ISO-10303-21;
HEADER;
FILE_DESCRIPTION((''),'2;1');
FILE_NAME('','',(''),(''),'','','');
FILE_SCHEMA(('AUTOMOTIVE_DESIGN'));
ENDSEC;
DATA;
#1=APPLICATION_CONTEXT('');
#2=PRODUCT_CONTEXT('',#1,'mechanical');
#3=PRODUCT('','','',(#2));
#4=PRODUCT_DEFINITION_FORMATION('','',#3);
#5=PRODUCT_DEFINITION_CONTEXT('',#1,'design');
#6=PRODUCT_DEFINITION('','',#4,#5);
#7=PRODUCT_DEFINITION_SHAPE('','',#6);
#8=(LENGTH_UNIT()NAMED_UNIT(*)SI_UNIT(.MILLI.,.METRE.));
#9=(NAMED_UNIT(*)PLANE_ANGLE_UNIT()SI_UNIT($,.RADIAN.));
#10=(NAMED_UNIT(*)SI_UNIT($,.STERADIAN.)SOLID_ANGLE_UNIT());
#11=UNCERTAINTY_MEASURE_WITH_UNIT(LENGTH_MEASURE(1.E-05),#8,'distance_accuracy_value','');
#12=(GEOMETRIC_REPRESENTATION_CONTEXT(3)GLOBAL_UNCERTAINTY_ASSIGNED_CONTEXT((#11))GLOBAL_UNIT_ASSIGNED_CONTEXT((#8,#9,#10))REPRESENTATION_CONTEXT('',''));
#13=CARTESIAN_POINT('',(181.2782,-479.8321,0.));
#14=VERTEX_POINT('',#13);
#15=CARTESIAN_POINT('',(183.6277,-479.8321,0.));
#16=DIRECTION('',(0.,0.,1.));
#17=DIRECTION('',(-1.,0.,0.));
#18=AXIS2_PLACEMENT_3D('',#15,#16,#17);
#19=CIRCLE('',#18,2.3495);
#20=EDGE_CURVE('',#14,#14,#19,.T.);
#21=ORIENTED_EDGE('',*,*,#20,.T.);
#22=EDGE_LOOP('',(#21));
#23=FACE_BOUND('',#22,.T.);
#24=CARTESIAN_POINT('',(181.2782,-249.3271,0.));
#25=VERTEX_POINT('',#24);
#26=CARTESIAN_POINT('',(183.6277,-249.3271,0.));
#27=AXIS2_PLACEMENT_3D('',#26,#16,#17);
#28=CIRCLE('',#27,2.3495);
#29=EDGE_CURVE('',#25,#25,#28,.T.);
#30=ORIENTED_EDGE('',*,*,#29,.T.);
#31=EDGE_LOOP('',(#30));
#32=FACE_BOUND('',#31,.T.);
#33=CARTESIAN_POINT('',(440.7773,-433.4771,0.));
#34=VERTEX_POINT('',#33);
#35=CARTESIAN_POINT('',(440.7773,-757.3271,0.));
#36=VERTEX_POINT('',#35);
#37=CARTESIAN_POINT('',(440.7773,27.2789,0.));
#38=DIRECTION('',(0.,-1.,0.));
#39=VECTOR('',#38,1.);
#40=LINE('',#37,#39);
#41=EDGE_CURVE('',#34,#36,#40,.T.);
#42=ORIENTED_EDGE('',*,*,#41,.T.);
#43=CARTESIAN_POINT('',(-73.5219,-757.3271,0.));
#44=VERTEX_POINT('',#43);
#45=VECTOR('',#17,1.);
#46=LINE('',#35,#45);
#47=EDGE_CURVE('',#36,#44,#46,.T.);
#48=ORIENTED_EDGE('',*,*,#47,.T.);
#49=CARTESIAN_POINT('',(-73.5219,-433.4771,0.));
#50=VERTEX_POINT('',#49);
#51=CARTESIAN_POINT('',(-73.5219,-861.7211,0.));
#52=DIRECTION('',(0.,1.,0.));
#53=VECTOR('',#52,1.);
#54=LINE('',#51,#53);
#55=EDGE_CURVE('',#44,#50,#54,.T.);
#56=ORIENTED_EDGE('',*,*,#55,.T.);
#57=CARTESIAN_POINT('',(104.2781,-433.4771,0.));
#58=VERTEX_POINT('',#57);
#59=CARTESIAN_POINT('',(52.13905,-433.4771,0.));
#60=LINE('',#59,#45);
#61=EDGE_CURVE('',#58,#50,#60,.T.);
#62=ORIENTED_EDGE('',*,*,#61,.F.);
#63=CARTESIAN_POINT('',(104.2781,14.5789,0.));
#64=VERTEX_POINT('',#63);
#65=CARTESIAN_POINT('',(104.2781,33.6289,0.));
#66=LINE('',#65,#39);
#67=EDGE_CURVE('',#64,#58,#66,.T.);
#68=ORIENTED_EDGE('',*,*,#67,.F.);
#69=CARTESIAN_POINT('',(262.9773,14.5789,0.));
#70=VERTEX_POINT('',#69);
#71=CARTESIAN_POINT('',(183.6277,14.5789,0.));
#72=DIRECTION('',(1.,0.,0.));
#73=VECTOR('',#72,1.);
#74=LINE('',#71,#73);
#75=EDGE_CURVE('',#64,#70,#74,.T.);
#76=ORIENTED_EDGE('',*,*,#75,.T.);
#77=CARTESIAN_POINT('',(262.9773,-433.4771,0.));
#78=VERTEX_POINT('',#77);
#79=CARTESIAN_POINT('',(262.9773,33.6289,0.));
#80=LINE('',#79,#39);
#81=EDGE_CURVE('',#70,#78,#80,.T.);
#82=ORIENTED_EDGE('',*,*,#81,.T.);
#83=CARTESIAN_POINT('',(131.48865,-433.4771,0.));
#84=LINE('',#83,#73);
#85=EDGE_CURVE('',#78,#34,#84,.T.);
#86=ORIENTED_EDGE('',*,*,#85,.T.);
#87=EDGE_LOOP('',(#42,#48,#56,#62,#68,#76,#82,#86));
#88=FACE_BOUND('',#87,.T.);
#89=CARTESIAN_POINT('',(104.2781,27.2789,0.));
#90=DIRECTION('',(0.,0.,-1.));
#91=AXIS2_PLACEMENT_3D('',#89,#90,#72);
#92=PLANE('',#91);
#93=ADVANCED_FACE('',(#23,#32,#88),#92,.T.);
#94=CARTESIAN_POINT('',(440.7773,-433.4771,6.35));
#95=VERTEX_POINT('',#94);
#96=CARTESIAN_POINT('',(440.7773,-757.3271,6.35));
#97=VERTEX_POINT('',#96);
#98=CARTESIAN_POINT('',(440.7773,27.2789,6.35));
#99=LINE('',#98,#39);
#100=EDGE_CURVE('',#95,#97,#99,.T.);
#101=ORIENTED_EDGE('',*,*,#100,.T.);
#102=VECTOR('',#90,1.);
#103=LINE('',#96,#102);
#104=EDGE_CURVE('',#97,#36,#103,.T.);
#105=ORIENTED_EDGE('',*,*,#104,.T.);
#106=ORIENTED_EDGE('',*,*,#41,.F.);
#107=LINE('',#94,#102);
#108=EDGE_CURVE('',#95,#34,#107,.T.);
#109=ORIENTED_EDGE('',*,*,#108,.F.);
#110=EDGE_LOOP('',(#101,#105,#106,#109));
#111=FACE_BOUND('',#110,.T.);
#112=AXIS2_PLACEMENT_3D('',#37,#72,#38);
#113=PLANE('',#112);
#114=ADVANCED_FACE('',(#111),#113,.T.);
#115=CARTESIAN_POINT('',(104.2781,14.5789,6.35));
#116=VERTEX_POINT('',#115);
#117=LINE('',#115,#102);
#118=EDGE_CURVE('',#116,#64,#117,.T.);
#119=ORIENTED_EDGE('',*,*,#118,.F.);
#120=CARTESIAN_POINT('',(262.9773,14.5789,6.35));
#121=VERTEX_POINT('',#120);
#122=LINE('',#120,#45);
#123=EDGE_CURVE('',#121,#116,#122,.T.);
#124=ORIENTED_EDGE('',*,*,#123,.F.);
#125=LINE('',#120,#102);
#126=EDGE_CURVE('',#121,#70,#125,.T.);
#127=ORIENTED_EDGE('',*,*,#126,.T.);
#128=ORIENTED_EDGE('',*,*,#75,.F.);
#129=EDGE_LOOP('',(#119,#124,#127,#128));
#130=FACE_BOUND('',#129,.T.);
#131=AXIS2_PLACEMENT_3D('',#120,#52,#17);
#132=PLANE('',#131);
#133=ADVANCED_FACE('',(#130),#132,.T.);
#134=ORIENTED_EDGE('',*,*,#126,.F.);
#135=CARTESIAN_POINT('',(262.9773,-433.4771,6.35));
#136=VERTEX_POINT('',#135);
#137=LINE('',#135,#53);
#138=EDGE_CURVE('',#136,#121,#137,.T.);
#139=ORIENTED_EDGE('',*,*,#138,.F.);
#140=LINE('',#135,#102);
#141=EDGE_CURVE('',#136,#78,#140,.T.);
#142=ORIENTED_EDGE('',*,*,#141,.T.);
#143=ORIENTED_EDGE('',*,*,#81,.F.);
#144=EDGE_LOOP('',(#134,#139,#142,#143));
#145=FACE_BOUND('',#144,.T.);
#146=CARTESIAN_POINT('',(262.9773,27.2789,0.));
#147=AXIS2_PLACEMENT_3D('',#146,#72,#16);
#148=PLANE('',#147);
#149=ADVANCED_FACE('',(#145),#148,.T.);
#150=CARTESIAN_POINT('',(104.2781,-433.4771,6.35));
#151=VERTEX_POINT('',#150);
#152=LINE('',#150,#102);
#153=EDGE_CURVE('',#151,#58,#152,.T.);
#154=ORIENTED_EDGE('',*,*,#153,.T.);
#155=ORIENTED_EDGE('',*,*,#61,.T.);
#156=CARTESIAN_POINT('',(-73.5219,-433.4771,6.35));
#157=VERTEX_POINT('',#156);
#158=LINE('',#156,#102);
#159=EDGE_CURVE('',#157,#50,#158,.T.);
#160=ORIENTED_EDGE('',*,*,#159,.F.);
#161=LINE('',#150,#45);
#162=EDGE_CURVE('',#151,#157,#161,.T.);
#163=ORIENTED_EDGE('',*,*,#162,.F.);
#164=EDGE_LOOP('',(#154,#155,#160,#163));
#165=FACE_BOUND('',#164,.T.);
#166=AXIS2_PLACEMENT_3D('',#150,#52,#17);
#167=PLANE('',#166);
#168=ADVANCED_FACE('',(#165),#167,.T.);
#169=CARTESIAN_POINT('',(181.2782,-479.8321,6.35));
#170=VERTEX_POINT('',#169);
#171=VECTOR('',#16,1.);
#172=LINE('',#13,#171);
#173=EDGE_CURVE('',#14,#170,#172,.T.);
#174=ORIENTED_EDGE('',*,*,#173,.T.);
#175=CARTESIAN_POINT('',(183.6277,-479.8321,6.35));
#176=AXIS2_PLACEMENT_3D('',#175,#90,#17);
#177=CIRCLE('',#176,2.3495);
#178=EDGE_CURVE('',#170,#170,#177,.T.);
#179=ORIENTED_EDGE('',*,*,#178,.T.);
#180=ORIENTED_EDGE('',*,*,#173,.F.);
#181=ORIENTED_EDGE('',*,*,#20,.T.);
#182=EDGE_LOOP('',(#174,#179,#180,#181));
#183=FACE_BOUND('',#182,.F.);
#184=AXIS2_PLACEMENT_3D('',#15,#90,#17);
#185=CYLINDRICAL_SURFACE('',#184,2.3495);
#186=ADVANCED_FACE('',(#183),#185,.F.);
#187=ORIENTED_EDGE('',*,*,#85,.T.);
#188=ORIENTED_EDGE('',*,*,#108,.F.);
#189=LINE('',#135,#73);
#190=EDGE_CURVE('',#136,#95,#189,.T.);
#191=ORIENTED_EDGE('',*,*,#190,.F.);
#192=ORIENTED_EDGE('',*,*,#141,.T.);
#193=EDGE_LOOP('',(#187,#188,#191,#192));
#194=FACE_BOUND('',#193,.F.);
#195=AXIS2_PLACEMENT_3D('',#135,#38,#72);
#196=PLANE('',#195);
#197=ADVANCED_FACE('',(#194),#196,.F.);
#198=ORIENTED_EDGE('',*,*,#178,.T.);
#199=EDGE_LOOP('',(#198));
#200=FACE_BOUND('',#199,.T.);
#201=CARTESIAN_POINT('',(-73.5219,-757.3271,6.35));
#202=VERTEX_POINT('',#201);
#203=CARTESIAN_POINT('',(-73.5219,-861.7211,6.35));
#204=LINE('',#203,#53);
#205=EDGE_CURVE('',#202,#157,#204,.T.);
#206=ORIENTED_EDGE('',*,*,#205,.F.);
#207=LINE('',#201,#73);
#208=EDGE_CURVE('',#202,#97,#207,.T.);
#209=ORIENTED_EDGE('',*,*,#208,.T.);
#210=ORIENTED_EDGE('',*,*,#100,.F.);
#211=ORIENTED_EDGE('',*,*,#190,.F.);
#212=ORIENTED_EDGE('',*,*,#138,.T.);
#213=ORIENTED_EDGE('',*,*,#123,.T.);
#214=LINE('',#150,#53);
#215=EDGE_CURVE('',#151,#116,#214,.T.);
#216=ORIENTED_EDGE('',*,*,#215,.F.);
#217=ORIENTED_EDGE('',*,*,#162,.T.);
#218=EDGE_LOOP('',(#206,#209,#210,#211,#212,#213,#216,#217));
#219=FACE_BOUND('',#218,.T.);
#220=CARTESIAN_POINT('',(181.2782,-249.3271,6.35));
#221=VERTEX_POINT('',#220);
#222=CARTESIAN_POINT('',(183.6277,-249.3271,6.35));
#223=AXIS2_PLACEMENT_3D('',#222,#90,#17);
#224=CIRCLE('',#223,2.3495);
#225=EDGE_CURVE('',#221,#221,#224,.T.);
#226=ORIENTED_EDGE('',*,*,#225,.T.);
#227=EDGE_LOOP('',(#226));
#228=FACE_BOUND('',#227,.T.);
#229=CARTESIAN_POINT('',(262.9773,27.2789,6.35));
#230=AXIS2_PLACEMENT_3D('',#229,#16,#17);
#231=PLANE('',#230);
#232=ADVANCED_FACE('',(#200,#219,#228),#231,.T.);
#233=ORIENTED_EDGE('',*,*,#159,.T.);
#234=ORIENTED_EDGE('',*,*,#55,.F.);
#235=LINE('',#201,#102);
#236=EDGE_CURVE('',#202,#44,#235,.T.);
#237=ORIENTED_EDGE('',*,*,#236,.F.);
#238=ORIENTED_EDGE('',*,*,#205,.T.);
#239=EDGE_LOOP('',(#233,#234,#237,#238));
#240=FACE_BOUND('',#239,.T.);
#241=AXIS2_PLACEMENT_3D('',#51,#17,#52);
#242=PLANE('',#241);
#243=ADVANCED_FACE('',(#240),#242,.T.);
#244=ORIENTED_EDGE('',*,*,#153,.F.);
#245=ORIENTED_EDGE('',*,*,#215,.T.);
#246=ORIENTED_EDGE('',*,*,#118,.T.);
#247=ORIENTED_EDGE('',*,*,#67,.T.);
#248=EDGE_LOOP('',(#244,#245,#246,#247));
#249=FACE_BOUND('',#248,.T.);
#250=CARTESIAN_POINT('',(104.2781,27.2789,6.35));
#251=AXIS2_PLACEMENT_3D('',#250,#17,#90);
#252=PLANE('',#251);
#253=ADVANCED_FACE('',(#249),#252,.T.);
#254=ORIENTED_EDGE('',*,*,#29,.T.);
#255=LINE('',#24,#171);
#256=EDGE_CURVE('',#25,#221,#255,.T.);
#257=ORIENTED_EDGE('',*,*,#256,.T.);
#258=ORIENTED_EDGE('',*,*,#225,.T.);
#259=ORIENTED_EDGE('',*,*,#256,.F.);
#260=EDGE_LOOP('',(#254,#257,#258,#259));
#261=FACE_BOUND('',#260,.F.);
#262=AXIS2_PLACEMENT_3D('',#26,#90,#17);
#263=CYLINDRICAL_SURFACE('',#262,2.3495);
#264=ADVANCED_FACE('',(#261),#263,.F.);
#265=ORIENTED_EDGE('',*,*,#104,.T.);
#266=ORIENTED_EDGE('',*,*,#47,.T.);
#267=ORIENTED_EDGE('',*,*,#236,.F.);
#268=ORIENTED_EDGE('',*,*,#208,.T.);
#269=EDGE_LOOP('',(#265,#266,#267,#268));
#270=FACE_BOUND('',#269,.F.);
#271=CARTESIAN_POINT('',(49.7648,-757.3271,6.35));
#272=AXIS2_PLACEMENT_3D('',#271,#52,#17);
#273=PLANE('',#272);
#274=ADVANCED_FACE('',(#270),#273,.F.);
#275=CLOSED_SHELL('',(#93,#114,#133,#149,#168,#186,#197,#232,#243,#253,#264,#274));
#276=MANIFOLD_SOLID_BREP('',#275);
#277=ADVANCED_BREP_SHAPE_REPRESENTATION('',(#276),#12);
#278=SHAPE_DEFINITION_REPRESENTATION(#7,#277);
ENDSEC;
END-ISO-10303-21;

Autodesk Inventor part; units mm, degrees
ref_plane "YZ Plane" through (0, 0, 0) normal (1, 0, 0) x (0, 1, 0)
ref_plane "XZ Plane" through (0, 0, 0) normal (0, 1, 0) x (-1, 0, 0)
ref_plane "XY Plane" through (0, 0, 0) normal (0, 0, 1) x (1, 0, 0)
sketch "Sketch1" plane through (0, 0, 0) normal (0, 0, 1) x (1, 0, 0)
  line L0 (-73.5219, 27.2789) -> (440.7773, 27.2789)
  line L1 (440.7773, 27.2789) -> (440.7773, -861.7211)
  line L2 (440.7773, -861.7211) -> (-73.5219, -861.7211)
  line L3 (-73.5219, -861.7211) -> (-73.5219, 27.2789)
  point P0 (0, 0)
  dimension "d0" = 514.2992
  dimension "d1" = 889
extrude "Extrusion1" add sketch "Sketch1" along normal blind 6.35
sketch "Sketch3" plane through (0, 0, 6.35) normal (0, 0, 1) x (1, 0, 0)
  line L0 (-73.5219, 27.2789) -> (104.2781, 27.2789)
  line L1 (104.2781, 27.2789) -> (104.2781, -433.4771)
  line L2 (104.2781, -433.4771) -> (-73.5219, -433.4771)
  line L3 (-73.5219, -433.4771) -> (-73.5219, 27.2789)
  line L4 (440.7773, 27.2789) -> (262.9773, 27.2789)
  line L5 (262.9773, 27.2789) -> (262.9773, -433.4771)
  line L6 (262.9773, -433.4771) -> (440.7773, -433.4771)
  line L7 (440.7773, -433.4771) -> (440.7773, 27.2789)
  point P0 (0, 0)
  dimension "d4" = 177.8
  dimension "d5" = 460.756
  dimension "d6" = 177.8
  dimension "d7" = 460.756
extrude "Extrusion2" cut sketch "Sketch3" against normal blind 25.4
sketch "Sketch4" plane through (104.2781, 27.2789, 0) normal (0, 1, 0) x (1, 0, 0)
  line L0 (0, 0) -> (0, -6.35) projected
  line L1 (0, -6.35) -> (158.6992, -6.35) projected
  line L2 (158.6992, -6.35) -> (158.6992, 0) projected
  line L3 (0, 0) -> (158.6992, 0) projected
  point P0 (-104.2781, 0)
extrude "Extrusion3" add sketch "Sketch4" along normal blind 6.35
sketch "Sketch5" plane through (104.2781, 33.6289, 0) normal (0, 1, 0) x (1, 0, 0)
  line L0 (0, 0) -> (158.6992, 0) projected
  line L1 (0, -6.35) -> (0, 0) projected
  line L2 (158.6992, -6.35) -> (0, -6.35) projected
  line L3 (158.6992, 0) -> (158.6992, -6.35) projected
  point P0 (-104.2781, 0)
extrude "Extrusion4" cut sketch "Sketch5" against normal blind 6.35
sketch "Sketch6" plane through (104.2781, 27.2789, 0) normal (0, 1, 0) x (1, 0, 0)
  line L0 (0, -6.35) -> (0, 0) projected
  line L1 (158.6992, -6.35) -> (0, -6.35) projected
  line L2 (158.6992, 0) -> (158.6992, -6.35) projected
  line L3 (0, 0) -> (158.6992, 0) projected
  point P0 (-104.2781, 0)
extrude "Extrusion5" add sketch "Sketch6" along normal blind 6.35
sketch "Sketch7" plane through (0, 0, 0) normal (0, 0, -1) x (-1, 0, 0)
  line L0 (-440.7773, -861.7211) -> (73.5219, -861.7211) projected
  line L1 (-104.2781, 33.6289) -> (-262.9773, 33.6289) projected
  line L2 (-183.6277, -861.7211) -> (-183.6277, -362.9159)
  circle A0 centre (-183.6277, -362.9159) radius 2.3495
  point P0 (0, 0)
  dimension "d16" = 498.8052
  dimension "d17" = 4.699
extrude "Extrusion6" cut sketch "Sketch7" against normal blind 25.4
sketch "Sketch8" plane through (0, 0, 0) normal (0, 0, -1) x (-1, 0, 0)
  circle A0 centre (-183.6277, -362.9159) radius 2.3495 projected
  line L0 (-104.2781, 33.6289) -> (-262.9773, 33.6289) projected
  line L1 (-183.6277, -362.9159) -> (-183.6277, -593.4209)
  circle A1 centre (-183.6277, -593.4209) radius 2.3495
  point P0 (0, 0)
  dimension "d20" = 230.505
  dimension "d21" = 4.699
extrude "Extrusion7" cut sketch "Sketch8" against normal blind 25.4 contours A1
sketch "Sketch9" plane through (0, 0, 0) normal (0, 0, -1) x (-1, 0, 0)
  circle A0 centre (-183.6277, -593.4209) radius 2.3495 projected
  circle A1 centre (-183.6277, -362.9159) radius 2.3495 projected
  line L0 (-104.2781, 33.6289) -> (-262.9773, 33.6289) projected
  line L1 (-183.6277, 33.6289) -> (-183.6277, -347.3711)
  circle A2 centre (-183.6277, -347.3711) radius 2.3495
  line L2 (-183.6277, -347.3711) -> (-183.6277, -362.9159)
  line L3 (-183.6277, -593.4209) -> (-183.6277, -577.8761)
  circle A3 centre (-183.6277, -577.8761) radius 2.3495
  point P0 (0, 0)
  dimension "d24" = 381
  dimension "d25" = 15.5448
extrude "Extrusion8" cut sketch "Sketch9" against normal blind 25.4 contours A3 | A2 L1 L2 | L2 L1 A2
sketch "Sketch10" plane through (0, 0, 0) normal (0, 0, -1) x (-1, 0, 0)
  circle A0 centre (-183.6277, -593.4209) radius 2.3495 projected
  circle A1 centre (-183.6277, -362.9159) radius 2.3495 projected
  point P0 (0, 0)
extrude "Extrusion9" add sketch "Sketch10" against normal blind 6.35
sketch "Sketch11" plane through (0, 0, 6.35) normal (0, 0, 1) x (1, 0, 0)
  line L0 (104.2781, -433.4771) -> (-73.5219, -433.4771) projected
  line L1 (-73.5219, -861.7211) -> (-73.5219, -433.4771) projected
  line L2 (440.7773, -861.7211) -> (-73.5219, -861.7211) projected
  line L3 (440.7773, -433.4771) -> (440.7773, -861.7211) projected
  line L4 (262.9773, 33.6289) -> (104.2781, 33.6289) projected
  line L5 (49.7648, -433.4771) -> (49.7648, -750.9771)
  line L6 (49.7648, -750.9771) -> (49.7648, -757.3271)
  line L7 (49.7648, -757.3271) -> (-73.5219, -757.3271)
  line L8 (49.7648, -757.3271) -> (440.7773, -757.3271)
  point P0 (0, 0)
  dimension "d30" = 317.5
  dimension "d31" = 6.35
extrude "Extrusion10" cut sketch "Sketch11" against normal blind 6.35 contours L7 L8 L3 L2 L1
sketch "Sketch12" plane through (0, 0, 0) normal (0, 0, -1) x (-1, 0, 0)
  line L0 (-440.7773, -433.4771) -> (-440.7773, -757.3271) projected
  circle A0 centre (-183.6277, -577.8761) radius 2.3495 projected
  circle A1 centre (-183.6277, -347.3711) radius 2.3495 projected
  line L1 (-183.6277, -347.3711) -> (-183.6277, -249.3271)
  line L2 (-183.6277, -577.8761) -> (-183.6277, -479.8321)
  circle A2 centre (-183.6277, -479.8321) radius 2.3495
  circle A3 centre (-183.6277, -249.3271) radius 2.3495
  point P0 (0, 0)
  dimension "d34" = 98.044
  dimension "d35" = 98.044
extrude "Extrusion11" cut sketch "Sketch12" against normal blind 6.35 contours A2 | A3
sketch "Sketch13" plane through (0, 0, 0) normal (0, 0, -1) x (-1, 0, 0)
  circle A0 centre (-183.6277, -577.8761) radius 2.3495 projected
  circle A1 centre (-183.6277, -347.3711) radius 2.3495 projected
  point P0 (0, 0)
extrude "Extrusion12" add sketch "Sketch13" against normal blind 6.35
sketch "Sketch14" plane through (0, 0, 6.35) normal (0, 0, 1) x (1, 0, 0)
  line L0 (262.9773, -433.4771) -> (262.9773, 33.6289) projected
  line L1 (104.2781, 33.6289) -> (262.9773, 33.6289)
  line L2 (262.9773, 33.6289) -> (262.9773, 14.5789)
  line L3 (262.9773, 14.5789) -> (104.2781, 14.5789)
  line L4 (104.2781, 14.5789) -> (104.2781, 33.6289)
  point P0 (0, 0)
  dimension "d40" = 19.05
extrude "Extrusion13" cut sketch "Sketch14" against normal blind 25.4
properties part number "front"
